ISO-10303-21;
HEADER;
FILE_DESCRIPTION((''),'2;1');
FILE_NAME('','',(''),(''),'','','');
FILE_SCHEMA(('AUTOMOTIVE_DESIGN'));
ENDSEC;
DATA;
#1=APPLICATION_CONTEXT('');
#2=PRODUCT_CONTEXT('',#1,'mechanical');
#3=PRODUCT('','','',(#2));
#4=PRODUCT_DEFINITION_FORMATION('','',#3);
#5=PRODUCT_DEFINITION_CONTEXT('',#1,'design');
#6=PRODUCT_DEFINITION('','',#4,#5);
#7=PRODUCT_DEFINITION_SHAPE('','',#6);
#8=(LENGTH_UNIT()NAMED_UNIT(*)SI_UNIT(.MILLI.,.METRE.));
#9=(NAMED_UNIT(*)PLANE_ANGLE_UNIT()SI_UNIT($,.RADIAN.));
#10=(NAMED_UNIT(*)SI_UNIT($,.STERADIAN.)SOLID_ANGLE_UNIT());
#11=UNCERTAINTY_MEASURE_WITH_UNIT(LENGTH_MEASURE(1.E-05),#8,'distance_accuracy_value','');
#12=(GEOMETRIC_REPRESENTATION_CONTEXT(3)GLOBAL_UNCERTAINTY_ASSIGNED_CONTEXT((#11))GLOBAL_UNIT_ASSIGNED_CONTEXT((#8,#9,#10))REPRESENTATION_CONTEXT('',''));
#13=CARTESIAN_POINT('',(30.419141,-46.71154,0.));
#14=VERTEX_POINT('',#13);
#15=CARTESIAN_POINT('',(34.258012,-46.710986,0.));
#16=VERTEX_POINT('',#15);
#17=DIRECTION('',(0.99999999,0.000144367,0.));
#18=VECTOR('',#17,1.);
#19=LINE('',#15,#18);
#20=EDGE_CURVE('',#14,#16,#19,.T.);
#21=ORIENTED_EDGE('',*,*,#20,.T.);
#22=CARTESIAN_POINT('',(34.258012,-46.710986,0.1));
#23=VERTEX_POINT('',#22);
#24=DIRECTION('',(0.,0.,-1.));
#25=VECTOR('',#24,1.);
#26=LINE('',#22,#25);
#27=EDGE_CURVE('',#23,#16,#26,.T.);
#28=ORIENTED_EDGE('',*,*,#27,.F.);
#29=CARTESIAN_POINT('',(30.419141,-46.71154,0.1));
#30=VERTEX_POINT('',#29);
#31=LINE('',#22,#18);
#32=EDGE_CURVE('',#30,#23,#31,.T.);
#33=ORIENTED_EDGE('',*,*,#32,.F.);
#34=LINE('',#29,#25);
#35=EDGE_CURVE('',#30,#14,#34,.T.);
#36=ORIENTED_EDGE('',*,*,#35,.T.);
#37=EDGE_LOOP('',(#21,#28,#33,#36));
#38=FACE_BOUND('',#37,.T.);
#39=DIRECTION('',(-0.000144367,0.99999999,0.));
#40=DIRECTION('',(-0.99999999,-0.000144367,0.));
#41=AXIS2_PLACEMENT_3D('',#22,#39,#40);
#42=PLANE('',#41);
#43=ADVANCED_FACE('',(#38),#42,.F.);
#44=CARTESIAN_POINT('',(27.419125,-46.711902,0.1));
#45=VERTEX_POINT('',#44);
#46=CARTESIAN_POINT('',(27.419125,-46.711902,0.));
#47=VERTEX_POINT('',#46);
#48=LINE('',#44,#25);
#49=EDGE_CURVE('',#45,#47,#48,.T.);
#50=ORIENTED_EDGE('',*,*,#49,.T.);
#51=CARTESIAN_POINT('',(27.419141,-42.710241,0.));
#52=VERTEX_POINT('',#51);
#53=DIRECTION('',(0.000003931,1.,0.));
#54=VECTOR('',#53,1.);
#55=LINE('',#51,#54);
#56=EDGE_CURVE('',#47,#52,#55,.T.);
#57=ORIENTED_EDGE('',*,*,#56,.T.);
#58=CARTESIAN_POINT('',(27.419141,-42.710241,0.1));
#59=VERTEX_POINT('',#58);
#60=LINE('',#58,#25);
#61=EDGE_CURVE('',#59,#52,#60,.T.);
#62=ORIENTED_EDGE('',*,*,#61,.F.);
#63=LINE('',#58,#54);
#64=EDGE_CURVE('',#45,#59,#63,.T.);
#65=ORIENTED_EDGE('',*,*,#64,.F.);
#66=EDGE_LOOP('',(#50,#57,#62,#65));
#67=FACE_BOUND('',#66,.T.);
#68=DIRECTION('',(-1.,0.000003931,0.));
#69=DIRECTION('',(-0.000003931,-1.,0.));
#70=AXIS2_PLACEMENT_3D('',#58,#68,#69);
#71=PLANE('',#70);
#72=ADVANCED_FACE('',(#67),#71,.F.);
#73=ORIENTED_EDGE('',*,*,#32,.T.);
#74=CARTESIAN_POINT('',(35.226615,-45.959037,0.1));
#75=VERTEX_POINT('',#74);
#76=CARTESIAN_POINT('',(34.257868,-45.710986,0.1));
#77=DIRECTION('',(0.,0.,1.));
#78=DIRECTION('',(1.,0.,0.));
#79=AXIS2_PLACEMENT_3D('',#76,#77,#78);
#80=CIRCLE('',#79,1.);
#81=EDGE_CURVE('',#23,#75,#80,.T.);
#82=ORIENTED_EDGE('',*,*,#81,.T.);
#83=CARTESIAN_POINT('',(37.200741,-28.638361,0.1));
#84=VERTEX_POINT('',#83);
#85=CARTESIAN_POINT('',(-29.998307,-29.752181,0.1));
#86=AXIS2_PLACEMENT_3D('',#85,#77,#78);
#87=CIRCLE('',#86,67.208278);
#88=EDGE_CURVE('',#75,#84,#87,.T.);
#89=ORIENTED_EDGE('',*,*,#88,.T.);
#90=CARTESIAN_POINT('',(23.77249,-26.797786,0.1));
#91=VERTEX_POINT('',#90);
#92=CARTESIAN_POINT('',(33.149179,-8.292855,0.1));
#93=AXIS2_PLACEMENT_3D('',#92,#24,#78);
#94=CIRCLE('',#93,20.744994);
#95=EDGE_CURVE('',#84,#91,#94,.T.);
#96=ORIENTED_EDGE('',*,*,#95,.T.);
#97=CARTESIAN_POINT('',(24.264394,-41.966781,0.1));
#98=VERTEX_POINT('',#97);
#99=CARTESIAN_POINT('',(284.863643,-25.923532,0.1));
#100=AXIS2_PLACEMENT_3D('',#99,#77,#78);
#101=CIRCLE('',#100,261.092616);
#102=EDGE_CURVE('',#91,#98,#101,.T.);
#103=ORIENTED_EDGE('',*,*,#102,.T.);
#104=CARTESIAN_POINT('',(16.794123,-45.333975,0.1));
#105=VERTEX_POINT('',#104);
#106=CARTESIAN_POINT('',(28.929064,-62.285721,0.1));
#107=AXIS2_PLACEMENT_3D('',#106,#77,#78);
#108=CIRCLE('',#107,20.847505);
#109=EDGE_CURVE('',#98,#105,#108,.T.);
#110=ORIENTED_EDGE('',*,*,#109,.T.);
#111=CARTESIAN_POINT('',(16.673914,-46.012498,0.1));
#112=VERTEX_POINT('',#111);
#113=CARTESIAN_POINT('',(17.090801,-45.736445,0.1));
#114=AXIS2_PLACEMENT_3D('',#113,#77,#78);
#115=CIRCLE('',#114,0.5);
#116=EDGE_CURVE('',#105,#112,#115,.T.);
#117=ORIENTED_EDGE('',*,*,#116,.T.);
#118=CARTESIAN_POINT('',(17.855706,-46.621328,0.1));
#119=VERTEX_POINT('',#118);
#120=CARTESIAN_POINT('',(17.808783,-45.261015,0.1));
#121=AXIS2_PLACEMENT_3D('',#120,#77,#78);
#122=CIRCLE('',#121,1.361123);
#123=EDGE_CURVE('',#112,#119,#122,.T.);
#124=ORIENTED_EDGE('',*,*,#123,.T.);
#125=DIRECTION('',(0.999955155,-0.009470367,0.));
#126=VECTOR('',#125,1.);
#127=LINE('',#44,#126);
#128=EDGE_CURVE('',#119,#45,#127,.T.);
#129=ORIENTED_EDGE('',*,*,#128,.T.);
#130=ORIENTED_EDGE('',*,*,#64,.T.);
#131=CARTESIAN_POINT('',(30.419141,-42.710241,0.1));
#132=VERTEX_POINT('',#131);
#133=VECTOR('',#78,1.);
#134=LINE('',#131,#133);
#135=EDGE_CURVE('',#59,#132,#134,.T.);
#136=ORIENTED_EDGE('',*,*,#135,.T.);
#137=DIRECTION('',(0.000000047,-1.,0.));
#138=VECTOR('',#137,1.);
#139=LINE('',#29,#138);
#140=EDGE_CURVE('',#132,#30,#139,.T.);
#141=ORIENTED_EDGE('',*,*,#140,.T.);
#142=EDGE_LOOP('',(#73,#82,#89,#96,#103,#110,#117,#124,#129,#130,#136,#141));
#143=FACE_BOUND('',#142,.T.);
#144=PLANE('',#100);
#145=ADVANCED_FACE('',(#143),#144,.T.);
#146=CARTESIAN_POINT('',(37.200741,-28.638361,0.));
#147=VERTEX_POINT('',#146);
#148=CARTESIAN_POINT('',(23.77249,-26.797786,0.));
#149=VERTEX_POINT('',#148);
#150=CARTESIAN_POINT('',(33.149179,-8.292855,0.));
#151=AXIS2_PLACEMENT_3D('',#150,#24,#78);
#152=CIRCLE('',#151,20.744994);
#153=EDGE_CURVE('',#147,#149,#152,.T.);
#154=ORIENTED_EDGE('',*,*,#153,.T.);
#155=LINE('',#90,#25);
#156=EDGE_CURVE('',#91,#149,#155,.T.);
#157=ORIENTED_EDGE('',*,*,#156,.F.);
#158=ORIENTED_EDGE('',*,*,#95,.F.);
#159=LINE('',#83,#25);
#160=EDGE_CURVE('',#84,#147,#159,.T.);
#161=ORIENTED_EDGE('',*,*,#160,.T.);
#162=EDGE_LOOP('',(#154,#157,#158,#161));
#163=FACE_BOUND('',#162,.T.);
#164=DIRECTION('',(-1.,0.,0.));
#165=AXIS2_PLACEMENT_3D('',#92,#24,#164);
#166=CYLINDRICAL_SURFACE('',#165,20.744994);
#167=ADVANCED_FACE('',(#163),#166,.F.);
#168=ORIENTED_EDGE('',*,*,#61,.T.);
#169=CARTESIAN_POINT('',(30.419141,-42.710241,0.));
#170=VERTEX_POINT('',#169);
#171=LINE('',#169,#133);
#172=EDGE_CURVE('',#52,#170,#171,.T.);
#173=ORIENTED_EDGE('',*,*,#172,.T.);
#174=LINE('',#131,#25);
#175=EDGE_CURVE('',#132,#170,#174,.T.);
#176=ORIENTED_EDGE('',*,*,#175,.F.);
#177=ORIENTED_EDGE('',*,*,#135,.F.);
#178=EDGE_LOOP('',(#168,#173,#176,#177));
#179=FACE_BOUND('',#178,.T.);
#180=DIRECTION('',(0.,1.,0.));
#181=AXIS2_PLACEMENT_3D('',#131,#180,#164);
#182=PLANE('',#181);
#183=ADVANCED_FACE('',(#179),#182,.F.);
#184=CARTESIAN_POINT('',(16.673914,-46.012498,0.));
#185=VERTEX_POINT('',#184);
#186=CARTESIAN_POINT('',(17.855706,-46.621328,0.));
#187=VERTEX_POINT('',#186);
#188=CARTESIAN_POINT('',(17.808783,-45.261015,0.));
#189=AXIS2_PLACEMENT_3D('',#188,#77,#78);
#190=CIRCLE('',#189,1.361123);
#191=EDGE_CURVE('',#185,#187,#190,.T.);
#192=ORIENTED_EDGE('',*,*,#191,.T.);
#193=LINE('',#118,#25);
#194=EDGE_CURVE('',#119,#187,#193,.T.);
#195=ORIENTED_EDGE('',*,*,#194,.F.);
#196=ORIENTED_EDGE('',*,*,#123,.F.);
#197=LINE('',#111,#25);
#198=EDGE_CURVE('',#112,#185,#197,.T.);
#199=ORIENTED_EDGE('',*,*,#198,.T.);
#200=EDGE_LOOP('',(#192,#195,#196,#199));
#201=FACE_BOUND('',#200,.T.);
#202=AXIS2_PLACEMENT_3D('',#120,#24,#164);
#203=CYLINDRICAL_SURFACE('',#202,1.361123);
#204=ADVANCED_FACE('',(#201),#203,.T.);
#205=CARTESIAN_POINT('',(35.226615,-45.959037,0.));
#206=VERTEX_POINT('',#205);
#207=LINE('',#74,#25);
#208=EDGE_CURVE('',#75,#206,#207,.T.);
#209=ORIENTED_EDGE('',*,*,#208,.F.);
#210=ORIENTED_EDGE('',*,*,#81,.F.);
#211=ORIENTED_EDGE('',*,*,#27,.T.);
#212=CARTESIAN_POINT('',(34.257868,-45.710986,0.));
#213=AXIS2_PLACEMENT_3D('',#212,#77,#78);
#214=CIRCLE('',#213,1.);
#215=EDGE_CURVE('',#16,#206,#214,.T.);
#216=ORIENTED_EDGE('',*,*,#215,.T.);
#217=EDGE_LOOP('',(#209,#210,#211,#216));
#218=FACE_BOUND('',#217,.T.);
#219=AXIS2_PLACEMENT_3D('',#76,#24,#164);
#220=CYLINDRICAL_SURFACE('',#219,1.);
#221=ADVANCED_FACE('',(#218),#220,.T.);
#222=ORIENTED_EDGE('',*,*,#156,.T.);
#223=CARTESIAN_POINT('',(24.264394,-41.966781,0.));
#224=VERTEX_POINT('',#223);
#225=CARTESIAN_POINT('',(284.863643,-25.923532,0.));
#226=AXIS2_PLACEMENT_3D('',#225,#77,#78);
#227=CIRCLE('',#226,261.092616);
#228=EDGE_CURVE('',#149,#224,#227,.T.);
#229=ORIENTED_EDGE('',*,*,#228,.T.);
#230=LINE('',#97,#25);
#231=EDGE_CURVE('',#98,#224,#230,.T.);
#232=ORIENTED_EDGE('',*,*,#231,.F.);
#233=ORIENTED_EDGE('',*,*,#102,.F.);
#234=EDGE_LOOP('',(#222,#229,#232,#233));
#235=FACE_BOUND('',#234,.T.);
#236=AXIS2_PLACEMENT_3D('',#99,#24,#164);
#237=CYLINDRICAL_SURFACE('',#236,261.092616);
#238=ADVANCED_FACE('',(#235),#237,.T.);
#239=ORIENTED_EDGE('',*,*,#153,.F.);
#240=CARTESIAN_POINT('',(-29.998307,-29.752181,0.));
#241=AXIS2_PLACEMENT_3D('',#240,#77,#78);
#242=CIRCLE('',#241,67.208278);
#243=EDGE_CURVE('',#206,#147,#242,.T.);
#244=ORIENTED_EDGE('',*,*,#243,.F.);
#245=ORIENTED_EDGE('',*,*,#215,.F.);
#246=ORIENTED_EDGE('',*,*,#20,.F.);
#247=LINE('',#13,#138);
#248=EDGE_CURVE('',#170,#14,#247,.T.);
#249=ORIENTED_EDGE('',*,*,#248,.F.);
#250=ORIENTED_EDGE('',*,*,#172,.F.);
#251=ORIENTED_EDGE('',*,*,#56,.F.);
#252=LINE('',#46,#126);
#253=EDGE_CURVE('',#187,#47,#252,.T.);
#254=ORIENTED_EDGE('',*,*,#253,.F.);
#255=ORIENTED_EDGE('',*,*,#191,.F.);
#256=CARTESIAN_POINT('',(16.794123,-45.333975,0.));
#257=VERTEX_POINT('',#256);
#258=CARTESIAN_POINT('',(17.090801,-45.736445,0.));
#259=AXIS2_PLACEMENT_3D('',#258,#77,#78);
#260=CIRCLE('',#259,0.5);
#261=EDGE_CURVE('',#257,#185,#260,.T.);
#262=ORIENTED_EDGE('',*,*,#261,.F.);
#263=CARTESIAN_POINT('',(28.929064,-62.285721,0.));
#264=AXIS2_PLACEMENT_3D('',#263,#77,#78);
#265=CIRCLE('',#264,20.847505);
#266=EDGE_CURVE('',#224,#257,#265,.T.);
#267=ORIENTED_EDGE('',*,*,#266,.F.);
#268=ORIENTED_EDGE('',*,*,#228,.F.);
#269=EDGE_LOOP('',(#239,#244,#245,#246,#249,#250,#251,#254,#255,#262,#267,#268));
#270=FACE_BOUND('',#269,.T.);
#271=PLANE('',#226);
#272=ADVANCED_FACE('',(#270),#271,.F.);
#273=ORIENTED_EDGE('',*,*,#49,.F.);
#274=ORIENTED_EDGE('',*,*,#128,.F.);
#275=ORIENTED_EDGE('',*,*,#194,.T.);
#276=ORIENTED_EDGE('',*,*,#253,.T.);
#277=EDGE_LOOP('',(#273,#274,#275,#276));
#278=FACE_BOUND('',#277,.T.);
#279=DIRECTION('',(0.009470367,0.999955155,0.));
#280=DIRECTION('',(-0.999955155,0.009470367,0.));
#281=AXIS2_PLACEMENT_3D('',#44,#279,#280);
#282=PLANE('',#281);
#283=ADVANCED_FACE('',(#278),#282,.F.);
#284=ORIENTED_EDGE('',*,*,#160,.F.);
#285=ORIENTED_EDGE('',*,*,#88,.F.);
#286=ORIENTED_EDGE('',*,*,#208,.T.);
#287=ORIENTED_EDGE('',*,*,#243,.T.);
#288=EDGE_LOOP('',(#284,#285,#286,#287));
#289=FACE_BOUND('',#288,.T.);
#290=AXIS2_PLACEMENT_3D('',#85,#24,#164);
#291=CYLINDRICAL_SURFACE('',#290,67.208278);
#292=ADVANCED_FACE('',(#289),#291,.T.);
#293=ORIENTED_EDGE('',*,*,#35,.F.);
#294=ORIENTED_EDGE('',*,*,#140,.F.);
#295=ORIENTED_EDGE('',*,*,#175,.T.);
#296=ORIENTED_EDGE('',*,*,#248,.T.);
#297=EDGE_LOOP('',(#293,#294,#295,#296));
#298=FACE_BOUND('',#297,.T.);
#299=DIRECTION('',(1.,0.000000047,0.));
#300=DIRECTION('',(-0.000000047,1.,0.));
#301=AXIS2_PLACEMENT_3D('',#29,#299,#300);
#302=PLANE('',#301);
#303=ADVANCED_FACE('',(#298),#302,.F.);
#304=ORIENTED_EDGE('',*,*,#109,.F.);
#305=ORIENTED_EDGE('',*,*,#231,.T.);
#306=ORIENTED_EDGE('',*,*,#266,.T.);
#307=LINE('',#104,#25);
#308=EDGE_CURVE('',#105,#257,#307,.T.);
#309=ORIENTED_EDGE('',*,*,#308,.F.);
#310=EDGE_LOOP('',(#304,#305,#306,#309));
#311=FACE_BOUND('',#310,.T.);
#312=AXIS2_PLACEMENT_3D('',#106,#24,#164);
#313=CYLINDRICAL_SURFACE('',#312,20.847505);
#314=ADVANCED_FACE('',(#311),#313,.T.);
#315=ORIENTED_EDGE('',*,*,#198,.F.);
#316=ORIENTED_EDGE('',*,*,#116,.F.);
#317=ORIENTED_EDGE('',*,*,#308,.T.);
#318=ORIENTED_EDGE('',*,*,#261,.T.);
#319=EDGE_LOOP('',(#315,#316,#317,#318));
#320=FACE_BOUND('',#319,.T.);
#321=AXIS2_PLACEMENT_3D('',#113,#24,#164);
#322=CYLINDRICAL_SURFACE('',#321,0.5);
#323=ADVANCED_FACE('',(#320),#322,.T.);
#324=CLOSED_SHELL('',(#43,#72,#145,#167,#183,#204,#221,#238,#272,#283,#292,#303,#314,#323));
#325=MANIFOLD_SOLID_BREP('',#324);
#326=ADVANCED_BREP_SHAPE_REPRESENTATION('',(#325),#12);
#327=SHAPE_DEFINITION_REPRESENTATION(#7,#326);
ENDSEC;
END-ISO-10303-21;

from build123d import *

# Parameters (mm, degrees)
SALIENTE_EXTRUIR1_DEPTH = 0.1


with BuildPart() as part:
    # Model → Saliente-Extruir1 (new body)
    with BuildSketch(Plane.XY):
        with BuildLine():
            Line((27.419125066, -46.711901605), (17.855705746, -46.621328457))
            ThreePointArc((17.855705746, -46.621328457), (17.185424798, -46.47100647), (16.673913765, -46.012498333))
            ThreePointArc((16.673913765, -46.012498333), (16.598467504, -45.649222161), (16.794123037, -45.333975231))
            ThreePointArc((16.794123037, -45.333975231), (20.362195737, -43.279741776), (24.264393991, -41.966780746))
            ThreePointArc((24.264393991, -41.966780746), (23.908199582, -34.385858307), (23.772490147, -26.797785927))
            ThreePointArc((23.772490147, -26.797785927), (30.332057529, -28.845679283), (37.200740842, -28.638360736))
            ThreePointArc((37.200740842, -28.638360736), (36.777649791, -37.362977687), (35.226615012, -45.959037138))
            ThreePointArc((35.226615012, -45.959037138), (34.871092661, -46.500894758), (34.258012391, -46.710986181))
            Line((34.258012391, -46.710986181), (30.419140985, -46.711540389))
            Line((30.419140985, -46.711540389), (30.419140797, -42.710240543))
            Line((30.419140797, -42.710240543), (27.419140797, -42.710240543))
            Line((27.419140797, -42.710240543), (27.419125066, -46.711901605))
        make_face()
    extrude(amount=SALIENTE_EXTRUIR1_DEPTH)


solid = part.part
